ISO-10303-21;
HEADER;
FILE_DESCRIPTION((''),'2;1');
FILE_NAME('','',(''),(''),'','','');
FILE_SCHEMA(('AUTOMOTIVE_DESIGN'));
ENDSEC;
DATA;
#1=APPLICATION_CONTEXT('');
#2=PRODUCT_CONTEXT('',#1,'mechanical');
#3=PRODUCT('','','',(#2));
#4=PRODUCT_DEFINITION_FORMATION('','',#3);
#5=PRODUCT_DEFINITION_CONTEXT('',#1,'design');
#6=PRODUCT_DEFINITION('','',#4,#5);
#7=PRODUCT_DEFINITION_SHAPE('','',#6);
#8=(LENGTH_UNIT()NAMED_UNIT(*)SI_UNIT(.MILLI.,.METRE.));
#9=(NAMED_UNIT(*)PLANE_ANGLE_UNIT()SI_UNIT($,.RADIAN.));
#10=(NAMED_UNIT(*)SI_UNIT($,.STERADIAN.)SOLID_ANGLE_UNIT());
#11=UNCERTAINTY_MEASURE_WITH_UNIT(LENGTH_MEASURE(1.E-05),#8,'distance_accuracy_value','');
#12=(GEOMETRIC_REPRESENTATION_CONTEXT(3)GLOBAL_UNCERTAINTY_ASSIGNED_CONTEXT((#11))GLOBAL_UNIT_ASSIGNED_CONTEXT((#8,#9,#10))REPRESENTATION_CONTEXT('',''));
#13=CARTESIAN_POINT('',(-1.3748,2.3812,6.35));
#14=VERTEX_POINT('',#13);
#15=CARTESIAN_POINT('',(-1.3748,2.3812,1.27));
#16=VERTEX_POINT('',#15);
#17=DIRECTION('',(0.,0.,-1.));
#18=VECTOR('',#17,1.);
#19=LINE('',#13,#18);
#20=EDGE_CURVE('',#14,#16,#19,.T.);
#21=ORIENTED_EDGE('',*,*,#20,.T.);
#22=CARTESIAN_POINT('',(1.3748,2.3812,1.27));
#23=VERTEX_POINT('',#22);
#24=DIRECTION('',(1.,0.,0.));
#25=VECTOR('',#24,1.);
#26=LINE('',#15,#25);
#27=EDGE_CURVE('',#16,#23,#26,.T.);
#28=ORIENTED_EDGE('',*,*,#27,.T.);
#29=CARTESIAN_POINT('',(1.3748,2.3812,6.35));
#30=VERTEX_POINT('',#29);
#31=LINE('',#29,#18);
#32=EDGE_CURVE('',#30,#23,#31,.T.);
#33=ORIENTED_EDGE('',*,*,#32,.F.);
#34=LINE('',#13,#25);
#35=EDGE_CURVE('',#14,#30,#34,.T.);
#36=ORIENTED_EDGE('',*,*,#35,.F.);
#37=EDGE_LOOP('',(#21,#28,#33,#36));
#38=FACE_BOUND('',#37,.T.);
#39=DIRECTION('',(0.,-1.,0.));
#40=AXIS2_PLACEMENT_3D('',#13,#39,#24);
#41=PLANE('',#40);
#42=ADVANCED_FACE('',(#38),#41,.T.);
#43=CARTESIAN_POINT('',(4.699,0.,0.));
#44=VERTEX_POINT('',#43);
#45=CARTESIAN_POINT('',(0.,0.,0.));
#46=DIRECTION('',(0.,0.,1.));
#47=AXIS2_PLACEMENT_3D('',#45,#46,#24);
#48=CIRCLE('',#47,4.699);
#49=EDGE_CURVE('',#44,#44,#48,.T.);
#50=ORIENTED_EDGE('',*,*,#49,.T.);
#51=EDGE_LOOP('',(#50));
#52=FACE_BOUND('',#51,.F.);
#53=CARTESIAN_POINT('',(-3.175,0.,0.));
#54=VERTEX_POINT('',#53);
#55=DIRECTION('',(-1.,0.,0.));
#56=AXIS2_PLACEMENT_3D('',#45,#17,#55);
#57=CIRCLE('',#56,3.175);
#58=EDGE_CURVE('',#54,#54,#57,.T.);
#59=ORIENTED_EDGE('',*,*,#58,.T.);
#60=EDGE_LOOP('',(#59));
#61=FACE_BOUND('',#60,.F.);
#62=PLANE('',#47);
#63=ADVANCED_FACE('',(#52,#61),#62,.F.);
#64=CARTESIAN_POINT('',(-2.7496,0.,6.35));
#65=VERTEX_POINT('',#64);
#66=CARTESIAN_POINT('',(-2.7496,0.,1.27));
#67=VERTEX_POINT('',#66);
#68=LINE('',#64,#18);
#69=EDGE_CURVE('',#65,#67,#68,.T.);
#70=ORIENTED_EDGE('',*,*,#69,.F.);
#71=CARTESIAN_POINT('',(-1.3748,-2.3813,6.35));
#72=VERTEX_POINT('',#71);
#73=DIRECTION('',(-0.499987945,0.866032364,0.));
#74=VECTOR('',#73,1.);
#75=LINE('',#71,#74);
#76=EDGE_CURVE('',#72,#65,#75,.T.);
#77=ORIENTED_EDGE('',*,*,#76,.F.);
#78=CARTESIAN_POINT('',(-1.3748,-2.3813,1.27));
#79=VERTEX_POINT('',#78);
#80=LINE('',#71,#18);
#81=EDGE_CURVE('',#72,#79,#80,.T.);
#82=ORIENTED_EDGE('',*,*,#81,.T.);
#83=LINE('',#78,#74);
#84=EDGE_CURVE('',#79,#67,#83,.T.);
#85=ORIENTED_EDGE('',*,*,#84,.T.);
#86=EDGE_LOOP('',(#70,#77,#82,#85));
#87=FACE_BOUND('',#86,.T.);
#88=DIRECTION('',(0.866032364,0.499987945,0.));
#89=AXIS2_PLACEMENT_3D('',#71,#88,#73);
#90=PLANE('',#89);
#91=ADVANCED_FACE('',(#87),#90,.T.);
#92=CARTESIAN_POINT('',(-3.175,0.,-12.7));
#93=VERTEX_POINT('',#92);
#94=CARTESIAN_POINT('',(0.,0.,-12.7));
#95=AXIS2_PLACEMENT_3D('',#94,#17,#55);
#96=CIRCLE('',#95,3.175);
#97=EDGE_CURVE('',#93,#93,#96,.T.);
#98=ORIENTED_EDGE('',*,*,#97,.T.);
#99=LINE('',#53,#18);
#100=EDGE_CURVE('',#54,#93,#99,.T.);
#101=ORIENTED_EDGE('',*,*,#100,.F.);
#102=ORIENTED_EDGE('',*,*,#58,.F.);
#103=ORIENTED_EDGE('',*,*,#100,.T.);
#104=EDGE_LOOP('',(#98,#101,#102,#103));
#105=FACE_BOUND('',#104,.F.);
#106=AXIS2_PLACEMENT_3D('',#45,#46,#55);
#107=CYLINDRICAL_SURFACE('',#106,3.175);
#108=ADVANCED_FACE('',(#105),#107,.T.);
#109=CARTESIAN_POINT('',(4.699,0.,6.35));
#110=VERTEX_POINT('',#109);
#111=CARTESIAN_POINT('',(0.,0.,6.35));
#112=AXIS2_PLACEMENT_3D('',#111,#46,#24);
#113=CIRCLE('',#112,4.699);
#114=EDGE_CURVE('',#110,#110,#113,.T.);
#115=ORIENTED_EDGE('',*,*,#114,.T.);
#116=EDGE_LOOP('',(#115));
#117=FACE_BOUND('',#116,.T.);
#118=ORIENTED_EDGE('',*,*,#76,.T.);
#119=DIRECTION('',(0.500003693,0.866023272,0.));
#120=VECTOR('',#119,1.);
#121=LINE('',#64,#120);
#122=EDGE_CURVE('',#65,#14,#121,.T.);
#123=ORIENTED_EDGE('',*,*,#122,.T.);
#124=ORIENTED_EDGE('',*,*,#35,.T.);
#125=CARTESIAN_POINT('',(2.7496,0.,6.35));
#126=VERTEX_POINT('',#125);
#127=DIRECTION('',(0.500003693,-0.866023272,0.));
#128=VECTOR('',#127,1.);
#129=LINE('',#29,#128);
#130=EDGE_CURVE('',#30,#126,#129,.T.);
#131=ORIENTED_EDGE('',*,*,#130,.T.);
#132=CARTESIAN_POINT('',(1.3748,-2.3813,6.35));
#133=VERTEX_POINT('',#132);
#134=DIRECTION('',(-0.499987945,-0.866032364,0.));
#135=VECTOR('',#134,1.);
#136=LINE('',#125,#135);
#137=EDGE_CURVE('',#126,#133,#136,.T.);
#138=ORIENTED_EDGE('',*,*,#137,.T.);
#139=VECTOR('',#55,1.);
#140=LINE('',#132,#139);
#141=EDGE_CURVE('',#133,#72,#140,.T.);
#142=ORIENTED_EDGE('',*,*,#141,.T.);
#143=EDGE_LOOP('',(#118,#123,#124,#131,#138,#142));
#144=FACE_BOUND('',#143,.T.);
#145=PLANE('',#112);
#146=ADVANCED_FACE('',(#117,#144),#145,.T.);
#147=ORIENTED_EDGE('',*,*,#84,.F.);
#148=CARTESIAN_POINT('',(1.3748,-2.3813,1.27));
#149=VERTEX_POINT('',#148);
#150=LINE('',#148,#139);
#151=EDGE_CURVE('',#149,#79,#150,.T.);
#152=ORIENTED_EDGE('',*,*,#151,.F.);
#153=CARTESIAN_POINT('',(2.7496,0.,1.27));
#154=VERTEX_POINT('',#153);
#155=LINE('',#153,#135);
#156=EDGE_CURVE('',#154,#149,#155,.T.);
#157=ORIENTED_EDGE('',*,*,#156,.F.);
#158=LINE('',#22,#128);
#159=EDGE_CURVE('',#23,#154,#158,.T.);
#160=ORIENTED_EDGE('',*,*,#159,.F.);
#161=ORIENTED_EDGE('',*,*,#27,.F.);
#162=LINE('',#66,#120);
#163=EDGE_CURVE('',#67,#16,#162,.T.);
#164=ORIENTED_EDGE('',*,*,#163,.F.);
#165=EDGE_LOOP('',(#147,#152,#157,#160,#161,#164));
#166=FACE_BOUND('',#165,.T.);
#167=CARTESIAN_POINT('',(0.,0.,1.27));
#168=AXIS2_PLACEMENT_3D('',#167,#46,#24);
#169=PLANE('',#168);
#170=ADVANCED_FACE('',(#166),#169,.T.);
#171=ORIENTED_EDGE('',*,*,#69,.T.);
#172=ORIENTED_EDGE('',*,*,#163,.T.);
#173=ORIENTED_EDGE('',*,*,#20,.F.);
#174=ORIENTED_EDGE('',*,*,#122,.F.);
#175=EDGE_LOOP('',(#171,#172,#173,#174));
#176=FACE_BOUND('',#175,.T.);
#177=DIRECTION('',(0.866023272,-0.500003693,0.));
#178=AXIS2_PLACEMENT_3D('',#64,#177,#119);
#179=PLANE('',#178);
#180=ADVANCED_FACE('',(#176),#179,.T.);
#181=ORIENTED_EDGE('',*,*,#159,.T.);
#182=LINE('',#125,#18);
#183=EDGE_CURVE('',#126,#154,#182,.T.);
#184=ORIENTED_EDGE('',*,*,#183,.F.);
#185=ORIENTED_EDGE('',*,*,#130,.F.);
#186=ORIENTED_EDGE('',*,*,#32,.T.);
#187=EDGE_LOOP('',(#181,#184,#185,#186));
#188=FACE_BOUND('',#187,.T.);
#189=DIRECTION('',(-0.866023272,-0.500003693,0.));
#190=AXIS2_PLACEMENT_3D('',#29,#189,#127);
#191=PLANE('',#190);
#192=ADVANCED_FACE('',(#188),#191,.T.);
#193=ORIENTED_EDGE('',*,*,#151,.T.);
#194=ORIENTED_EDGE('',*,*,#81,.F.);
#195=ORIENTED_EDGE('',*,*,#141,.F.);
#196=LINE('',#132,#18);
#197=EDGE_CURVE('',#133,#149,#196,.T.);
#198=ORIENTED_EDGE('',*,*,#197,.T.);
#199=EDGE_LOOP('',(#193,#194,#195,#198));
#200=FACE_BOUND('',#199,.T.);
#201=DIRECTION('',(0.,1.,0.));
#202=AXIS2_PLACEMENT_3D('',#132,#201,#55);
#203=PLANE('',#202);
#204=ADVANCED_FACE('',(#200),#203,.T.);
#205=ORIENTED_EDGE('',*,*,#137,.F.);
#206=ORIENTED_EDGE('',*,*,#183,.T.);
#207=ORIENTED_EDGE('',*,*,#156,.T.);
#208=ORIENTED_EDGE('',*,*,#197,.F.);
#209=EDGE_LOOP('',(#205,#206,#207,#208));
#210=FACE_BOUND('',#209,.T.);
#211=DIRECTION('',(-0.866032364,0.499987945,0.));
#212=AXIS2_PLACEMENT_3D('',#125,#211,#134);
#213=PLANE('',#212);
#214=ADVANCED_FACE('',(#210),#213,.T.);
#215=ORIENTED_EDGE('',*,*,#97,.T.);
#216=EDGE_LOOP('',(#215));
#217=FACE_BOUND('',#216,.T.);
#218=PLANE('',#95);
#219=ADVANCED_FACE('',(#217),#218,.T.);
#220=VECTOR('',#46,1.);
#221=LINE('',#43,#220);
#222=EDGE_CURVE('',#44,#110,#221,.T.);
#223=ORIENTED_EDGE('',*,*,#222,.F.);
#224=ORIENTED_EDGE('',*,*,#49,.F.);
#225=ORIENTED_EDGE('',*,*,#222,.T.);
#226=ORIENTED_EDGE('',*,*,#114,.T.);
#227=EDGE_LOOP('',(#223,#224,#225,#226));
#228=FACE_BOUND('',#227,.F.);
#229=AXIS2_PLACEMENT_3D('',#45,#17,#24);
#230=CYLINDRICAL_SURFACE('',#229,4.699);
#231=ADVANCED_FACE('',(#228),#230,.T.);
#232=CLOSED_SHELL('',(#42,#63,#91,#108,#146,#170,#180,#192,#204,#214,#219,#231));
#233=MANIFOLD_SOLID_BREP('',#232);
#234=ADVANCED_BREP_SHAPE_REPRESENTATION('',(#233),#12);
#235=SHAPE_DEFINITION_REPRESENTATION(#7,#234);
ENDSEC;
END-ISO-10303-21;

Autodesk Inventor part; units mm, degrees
ref_plane "YZ Plane" through (0, 0, 0) normal (1, 0, 0) x (0, 1, 0)
ref_plane "XZ Plane" through (0, 0, 0) normal (0, 1, 0) x (-1, 0, 0)
ref_plane "XY Plane" through (0, 0, 0) normal (0, 0, 1) x (1, 0, 0)
sketch "Sketch1" plane through (0, 0, 0) normal (0, 0, 1) x (1, 0, 0)
  circle A0 centre (0, 0) radius 4.699
  dimension "d0" = 9.398
extrude "Extrusion1" add sketch "Sketch1" along normal blind 6.35
sketch "Sketch2" plane through (0, 0, 0) normal (0, 0, -1) x (-1, 0, 0)
  circle A0 centre (0, 0) radius 4.699 projected
  circle A1 centre (0, 0) radius 3.175
  dimension "d3" = 6.35
extrude "Extrusion2" add sketch "Sketch2" along normal blind 12.7 contours A1
thread "Thread1" size "1/4-20 UNC" class "2A" standard "ANSI Unified Screw Threads" full length
sketch "Sketch3" plane through (0, 0, 6.35) normal (0, 0, 1) x (1, 0, 0)
  circle A0 centre (0, 0) radius 4.699 projected
  line L0 (2.7496, 0) -> (1.3748, -2.3813)
  line L1 (1.3748, -2.3813) -> (-1.3748, -2.3813)
  line L2 (-1.3748, -2.3813) -> (-2.7496, 0)
  line L3 (-2.7496, 0) -> (-1.3748, 2.3812)
  line L4 (-1.3748, 2.3812) -> (1.3748, 2.3812)
  line L5 (1.3748, 2.3812) -> (2.7496, 0)
  dimension "d11" = 4.7625
extrude "Extrusion3" cut sketch "Sketch3" against normal blind 5.08 contours L0 L1 L2 L3 L4 L5
properties part number "SHCS bolt"
